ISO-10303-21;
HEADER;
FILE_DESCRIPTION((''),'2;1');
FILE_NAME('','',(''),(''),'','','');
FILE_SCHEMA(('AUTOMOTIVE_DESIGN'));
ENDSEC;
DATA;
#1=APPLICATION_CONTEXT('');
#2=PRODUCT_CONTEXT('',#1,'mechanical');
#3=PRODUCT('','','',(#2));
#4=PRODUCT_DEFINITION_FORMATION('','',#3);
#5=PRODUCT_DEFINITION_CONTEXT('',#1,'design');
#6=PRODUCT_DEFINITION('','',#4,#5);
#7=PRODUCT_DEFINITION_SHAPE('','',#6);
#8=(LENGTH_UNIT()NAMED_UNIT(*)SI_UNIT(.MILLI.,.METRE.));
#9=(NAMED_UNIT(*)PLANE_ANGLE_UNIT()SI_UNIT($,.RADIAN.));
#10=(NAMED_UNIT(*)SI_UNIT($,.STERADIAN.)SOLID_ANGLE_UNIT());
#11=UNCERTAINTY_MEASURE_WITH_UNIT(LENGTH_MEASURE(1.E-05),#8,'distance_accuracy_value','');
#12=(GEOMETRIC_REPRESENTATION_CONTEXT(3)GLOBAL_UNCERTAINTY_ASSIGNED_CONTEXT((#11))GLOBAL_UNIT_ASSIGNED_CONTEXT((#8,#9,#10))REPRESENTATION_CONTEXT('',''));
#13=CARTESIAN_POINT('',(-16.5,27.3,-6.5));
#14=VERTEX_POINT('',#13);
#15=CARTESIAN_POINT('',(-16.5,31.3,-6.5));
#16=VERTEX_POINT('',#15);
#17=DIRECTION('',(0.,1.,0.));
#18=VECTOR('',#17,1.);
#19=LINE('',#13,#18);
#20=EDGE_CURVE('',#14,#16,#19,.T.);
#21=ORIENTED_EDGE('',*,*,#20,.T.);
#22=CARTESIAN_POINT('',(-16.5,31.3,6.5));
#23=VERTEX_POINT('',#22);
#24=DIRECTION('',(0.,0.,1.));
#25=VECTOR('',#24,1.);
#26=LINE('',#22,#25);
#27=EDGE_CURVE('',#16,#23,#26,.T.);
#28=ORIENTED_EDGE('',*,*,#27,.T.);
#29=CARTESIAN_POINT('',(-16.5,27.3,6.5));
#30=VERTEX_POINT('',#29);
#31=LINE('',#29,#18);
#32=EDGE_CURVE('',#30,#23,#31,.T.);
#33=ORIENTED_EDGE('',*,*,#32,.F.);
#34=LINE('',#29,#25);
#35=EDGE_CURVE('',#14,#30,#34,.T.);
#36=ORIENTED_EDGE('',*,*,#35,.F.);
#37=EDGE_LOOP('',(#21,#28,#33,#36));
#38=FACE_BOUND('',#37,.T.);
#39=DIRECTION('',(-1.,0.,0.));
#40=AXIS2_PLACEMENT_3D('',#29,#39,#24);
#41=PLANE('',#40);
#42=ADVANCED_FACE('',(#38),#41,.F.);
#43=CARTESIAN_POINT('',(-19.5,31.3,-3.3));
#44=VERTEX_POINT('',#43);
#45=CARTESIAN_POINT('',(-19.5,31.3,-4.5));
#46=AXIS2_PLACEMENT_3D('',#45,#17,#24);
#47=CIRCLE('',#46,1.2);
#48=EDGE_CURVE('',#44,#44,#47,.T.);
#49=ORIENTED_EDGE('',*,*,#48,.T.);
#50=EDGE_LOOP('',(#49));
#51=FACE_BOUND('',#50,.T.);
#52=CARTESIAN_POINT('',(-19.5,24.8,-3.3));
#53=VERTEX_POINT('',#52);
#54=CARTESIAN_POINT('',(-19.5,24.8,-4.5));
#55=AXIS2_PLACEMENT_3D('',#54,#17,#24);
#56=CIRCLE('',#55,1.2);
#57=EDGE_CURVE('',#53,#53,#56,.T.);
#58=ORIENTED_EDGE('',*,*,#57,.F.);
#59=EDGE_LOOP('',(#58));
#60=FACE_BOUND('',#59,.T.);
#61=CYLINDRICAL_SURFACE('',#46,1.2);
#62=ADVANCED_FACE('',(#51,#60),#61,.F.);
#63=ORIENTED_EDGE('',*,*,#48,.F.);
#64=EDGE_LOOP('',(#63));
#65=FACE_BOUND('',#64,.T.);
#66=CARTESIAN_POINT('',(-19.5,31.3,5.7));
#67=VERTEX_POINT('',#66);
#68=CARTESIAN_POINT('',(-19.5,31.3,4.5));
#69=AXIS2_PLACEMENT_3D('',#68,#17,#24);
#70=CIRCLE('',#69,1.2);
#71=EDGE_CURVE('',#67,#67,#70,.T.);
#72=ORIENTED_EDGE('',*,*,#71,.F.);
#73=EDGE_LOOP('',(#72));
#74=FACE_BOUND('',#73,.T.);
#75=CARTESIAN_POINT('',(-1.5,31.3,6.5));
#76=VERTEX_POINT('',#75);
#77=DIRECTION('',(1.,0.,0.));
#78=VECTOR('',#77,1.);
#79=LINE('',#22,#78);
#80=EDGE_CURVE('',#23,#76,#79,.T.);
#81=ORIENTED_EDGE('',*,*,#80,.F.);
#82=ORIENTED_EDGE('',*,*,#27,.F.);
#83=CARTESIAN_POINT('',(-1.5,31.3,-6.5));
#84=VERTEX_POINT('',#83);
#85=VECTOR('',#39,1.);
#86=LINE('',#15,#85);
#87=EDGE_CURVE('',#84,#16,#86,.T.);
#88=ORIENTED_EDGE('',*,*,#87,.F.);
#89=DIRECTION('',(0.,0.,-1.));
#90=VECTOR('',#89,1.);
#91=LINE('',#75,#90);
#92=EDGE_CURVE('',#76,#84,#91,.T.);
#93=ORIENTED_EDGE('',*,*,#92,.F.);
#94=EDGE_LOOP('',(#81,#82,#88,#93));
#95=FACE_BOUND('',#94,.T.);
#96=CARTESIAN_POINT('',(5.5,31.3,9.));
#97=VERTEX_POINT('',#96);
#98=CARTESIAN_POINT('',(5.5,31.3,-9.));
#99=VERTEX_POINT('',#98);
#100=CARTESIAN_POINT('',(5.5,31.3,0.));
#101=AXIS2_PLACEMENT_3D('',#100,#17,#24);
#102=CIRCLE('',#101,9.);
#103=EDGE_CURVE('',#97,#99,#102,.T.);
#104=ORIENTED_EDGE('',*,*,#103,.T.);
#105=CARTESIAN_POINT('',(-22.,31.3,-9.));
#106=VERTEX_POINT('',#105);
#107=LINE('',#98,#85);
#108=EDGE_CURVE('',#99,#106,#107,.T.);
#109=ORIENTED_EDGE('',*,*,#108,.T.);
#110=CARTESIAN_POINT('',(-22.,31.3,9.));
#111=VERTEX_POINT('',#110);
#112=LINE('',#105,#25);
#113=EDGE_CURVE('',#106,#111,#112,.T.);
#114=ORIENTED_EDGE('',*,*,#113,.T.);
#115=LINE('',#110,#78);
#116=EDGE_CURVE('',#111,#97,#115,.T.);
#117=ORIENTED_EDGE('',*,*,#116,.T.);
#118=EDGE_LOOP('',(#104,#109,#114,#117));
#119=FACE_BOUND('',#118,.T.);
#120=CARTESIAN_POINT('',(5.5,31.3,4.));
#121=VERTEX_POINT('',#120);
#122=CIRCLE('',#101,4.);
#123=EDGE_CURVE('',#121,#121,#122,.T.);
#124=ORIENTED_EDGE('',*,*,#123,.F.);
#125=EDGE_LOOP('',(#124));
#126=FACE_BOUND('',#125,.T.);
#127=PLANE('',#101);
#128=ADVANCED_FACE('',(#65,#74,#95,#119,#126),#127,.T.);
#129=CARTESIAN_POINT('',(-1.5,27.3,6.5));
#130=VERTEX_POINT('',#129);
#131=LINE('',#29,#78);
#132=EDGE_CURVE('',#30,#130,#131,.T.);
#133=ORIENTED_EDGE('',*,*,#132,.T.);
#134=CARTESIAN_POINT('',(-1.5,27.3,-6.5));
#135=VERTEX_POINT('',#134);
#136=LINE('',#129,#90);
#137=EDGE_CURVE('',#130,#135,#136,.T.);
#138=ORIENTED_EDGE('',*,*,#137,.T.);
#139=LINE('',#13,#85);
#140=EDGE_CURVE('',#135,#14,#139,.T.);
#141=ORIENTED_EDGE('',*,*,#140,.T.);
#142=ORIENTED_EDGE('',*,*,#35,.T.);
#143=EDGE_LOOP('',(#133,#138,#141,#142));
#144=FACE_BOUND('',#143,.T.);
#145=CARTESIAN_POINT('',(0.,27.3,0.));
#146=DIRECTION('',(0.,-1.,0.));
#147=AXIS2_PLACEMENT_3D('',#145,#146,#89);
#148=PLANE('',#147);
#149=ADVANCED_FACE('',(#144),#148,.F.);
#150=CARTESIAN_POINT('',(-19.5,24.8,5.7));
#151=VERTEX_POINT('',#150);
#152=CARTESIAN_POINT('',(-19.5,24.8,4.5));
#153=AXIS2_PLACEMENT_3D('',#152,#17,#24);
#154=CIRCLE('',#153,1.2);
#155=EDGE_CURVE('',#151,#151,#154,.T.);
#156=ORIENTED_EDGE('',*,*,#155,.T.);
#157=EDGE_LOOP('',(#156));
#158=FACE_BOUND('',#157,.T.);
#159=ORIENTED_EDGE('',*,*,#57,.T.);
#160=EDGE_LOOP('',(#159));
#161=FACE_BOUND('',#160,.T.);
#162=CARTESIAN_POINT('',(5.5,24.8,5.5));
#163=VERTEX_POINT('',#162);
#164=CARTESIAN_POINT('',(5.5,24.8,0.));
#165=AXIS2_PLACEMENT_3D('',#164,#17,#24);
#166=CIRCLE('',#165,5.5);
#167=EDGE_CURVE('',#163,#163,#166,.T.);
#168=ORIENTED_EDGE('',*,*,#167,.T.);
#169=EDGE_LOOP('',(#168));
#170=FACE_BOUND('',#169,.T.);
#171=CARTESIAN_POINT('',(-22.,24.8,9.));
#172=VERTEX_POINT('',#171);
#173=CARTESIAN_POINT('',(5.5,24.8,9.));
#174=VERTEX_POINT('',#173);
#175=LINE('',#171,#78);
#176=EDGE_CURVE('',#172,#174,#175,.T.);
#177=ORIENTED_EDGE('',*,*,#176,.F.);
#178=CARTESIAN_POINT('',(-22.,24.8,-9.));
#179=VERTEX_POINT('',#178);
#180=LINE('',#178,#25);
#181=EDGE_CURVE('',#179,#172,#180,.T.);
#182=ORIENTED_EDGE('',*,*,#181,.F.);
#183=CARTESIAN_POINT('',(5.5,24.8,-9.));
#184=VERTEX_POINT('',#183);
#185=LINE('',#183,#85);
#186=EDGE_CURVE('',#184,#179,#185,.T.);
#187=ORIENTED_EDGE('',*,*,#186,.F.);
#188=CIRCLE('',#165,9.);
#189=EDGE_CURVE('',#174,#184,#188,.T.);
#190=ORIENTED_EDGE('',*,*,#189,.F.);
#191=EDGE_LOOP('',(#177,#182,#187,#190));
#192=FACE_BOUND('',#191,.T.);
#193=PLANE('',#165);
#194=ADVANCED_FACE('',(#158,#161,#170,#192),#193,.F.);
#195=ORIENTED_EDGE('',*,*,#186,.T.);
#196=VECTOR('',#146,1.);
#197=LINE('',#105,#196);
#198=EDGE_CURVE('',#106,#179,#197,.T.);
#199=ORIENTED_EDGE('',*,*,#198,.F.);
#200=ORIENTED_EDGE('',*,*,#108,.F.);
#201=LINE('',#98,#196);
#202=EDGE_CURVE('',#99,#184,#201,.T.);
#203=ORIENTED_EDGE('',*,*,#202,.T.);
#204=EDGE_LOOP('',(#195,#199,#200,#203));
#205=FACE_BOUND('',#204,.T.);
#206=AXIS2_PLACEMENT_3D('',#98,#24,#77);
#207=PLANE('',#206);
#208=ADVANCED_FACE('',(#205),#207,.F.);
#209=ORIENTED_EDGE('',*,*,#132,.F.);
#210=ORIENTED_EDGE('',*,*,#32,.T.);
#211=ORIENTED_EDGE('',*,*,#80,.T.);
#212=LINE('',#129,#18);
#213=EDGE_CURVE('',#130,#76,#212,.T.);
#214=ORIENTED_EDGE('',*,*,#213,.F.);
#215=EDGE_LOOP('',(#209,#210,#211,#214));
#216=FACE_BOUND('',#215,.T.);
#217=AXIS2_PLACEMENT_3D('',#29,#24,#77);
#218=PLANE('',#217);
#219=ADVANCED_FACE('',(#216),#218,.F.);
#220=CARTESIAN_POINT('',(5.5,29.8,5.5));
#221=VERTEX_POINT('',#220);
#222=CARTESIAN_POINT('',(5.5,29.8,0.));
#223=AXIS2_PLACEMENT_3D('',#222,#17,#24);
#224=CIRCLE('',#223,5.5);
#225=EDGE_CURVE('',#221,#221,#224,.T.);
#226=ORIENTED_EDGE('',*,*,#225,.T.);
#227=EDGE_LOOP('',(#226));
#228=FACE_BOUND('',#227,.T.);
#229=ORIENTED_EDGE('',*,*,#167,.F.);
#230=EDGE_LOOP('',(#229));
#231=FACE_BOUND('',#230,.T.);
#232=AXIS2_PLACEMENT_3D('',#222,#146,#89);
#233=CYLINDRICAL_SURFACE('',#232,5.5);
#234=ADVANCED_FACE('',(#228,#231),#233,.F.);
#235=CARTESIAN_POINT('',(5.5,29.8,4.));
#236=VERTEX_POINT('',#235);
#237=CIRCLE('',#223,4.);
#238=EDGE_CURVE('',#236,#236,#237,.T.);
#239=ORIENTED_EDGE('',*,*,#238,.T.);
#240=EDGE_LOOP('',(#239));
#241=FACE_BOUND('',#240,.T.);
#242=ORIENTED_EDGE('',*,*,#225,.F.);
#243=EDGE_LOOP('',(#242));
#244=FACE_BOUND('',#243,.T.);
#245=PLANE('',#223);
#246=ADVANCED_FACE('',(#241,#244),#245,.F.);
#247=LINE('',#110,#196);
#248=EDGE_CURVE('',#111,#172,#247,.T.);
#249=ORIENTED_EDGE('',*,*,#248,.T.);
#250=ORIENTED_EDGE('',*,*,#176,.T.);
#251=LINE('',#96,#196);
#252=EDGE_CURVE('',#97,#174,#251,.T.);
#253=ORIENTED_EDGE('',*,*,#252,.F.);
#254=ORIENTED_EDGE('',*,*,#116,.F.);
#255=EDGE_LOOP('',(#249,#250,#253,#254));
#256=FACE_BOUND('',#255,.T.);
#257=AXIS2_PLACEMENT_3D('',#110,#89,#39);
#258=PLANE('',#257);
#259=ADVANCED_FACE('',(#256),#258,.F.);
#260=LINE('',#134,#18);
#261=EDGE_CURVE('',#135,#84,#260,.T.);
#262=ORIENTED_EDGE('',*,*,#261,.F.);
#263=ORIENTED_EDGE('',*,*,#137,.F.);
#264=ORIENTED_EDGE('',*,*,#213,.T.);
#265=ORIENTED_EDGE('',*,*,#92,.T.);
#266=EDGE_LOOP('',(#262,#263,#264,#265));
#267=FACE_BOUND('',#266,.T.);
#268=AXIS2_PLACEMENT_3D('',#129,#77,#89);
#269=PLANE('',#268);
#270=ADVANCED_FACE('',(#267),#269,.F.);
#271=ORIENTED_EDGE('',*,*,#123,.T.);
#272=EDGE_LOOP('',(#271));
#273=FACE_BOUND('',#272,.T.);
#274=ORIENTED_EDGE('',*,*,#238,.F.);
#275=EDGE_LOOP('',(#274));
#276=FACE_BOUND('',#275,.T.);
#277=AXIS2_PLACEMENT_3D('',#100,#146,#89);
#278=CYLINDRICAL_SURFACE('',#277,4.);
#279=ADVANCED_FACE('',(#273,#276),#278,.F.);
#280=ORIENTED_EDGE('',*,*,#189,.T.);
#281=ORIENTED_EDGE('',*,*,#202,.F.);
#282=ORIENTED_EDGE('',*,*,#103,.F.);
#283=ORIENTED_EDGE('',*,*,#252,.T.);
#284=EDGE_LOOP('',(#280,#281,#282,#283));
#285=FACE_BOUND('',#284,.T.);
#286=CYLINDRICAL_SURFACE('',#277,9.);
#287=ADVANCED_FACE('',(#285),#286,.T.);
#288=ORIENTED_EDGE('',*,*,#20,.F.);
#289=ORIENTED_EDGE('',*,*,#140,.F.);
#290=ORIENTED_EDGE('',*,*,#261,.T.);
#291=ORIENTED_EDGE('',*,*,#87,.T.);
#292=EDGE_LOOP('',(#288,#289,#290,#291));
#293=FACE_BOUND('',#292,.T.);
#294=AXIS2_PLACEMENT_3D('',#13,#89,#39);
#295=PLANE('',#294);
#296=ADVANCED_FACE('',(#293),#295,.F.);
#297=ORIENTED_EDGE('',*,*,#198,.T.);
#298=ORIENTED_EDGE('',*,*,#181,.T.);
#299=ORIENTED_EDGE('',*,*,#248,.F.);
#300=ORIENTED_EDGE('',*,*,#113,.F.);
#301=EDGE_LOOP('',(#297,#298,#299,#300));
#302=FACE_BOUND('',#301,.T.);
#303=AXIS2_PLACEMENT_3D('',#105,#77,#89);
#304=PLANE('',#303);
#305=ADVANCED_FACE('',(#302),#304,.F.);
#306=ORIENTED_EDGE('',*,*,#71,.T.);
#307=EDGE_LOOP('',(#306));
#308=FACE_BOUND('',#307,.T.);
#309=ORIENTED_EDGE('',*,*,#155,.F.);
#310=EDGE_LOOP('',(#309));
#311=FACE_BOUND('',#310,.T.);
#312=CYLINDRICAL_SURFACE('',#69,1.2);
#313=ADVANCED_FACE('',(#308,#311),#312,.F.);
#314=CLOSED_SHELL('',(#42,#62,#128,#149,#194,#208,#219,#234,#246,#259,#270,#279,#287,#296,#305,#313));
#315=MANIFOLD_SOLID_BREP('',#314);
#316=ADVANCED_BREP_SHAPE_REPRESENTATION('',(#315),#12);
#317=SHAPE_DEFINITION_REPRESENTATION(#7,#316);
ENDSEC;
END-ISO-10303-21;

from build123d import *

# Parameters (mm, degrees)
BOSS_EXTRUDE1_DEPTH  = 6.5
SKETCH2_R            = 5.5
CUT_EXTRUDE2_DEPTH   = 5
SKETCH3_R            = 4
CUT_EXTRUDE4_DEPTH   = 1.5
M2_CLEARANCE_HOLE1_D = 2.4
M2_CLEARANCE_HOLE2_D = 2.4
SKETCH8_W            = 15
SKETCH8_H            = 13
CUT_EXTRUDE5_DEPTH   = 4


with BuildPart() as part:
    # Sketch1 → Boss-Extrude1 (new body)
    with BuildSketch(Plane(origin=(0, 24.8, 0), x_dir=(1, 0, 0), z_dir=(0, 1, 0))):
        with BuildLine():
            Line((5.5, 9), (-22, 9))
            Line((-22, 9), (-22, -9))
            Line((-22, -9), (5.5, -9))
            ThreePointArc((5.5, -9), (14.5, 0), (5.5, 9))
        make_face()
    extrude(amount=BOSS_EXTRUDE1_DEPTH)

    # Sketch2 → Cut-Extrude2 (cut)
    with BuildSketch(Plane(origin=(0, 24.8, 0), x_dir=(1, 0, 0), z_dir=(0, 1, 0))):
        with Locations(Location((5.5, 0, 0), (0, 0, 270))):
            Circle(SKETCH2_R)
    extrude(amount=CUT_EXTRUDE2_DEPTH, mode=Mode.SUBTRACT)

    # Sketch3 → Cut-Extrude4 (cut)
    with BuildSketch(Plane(origin=(0, 29.8, 0), x_dir=(1, 0, 0), z_dir=(0, 1, 0))):
        with Locations(Location((5.5, 0, 0), (0, 0, 270))):
            Circle(SKETCH3_R)
    extrude(amount=CUT_EXTRUDE4_DEPTH, mode=Mode.SUBTRACT)

    # M2 Clearance Hole1 (through all)
    with Locations(Plane(origin=(0, 31.3, 0), x_dir=(1, 0, 0), z_dir=(0, 1, 0))):
        with Locations((-19.5, -4.5)):
            Hole(M2_CLEARANCE_HOLE1_D / 2)

    # M2 Clearance Hole2 (through all)
    with Locations(Plane(origin=(0, 31.3, 0), x_dir=(1, 0, 0), z_dir=(0, 1, 0))):
        with Locations((-19.5, 4.5)):
            Hole(M2_CLEARANCE_HOLE2_D / 2)

    # Sketch8 → Cut-Extrude5 (cut)
    with BuildSketch(Plane(origin=(0, 31.3, 0), x_dir=(1, 0, 0), z_dir=(0, 1, 0))):
        with Locations((-9, 0)):
            Rectangle(SKETCH8_W, SKETCH8_H)
    extrude(amount=-CUT_EXTRUDE5_DEPTH, mode=Mode.SUBTRACT)


solid = part.part
